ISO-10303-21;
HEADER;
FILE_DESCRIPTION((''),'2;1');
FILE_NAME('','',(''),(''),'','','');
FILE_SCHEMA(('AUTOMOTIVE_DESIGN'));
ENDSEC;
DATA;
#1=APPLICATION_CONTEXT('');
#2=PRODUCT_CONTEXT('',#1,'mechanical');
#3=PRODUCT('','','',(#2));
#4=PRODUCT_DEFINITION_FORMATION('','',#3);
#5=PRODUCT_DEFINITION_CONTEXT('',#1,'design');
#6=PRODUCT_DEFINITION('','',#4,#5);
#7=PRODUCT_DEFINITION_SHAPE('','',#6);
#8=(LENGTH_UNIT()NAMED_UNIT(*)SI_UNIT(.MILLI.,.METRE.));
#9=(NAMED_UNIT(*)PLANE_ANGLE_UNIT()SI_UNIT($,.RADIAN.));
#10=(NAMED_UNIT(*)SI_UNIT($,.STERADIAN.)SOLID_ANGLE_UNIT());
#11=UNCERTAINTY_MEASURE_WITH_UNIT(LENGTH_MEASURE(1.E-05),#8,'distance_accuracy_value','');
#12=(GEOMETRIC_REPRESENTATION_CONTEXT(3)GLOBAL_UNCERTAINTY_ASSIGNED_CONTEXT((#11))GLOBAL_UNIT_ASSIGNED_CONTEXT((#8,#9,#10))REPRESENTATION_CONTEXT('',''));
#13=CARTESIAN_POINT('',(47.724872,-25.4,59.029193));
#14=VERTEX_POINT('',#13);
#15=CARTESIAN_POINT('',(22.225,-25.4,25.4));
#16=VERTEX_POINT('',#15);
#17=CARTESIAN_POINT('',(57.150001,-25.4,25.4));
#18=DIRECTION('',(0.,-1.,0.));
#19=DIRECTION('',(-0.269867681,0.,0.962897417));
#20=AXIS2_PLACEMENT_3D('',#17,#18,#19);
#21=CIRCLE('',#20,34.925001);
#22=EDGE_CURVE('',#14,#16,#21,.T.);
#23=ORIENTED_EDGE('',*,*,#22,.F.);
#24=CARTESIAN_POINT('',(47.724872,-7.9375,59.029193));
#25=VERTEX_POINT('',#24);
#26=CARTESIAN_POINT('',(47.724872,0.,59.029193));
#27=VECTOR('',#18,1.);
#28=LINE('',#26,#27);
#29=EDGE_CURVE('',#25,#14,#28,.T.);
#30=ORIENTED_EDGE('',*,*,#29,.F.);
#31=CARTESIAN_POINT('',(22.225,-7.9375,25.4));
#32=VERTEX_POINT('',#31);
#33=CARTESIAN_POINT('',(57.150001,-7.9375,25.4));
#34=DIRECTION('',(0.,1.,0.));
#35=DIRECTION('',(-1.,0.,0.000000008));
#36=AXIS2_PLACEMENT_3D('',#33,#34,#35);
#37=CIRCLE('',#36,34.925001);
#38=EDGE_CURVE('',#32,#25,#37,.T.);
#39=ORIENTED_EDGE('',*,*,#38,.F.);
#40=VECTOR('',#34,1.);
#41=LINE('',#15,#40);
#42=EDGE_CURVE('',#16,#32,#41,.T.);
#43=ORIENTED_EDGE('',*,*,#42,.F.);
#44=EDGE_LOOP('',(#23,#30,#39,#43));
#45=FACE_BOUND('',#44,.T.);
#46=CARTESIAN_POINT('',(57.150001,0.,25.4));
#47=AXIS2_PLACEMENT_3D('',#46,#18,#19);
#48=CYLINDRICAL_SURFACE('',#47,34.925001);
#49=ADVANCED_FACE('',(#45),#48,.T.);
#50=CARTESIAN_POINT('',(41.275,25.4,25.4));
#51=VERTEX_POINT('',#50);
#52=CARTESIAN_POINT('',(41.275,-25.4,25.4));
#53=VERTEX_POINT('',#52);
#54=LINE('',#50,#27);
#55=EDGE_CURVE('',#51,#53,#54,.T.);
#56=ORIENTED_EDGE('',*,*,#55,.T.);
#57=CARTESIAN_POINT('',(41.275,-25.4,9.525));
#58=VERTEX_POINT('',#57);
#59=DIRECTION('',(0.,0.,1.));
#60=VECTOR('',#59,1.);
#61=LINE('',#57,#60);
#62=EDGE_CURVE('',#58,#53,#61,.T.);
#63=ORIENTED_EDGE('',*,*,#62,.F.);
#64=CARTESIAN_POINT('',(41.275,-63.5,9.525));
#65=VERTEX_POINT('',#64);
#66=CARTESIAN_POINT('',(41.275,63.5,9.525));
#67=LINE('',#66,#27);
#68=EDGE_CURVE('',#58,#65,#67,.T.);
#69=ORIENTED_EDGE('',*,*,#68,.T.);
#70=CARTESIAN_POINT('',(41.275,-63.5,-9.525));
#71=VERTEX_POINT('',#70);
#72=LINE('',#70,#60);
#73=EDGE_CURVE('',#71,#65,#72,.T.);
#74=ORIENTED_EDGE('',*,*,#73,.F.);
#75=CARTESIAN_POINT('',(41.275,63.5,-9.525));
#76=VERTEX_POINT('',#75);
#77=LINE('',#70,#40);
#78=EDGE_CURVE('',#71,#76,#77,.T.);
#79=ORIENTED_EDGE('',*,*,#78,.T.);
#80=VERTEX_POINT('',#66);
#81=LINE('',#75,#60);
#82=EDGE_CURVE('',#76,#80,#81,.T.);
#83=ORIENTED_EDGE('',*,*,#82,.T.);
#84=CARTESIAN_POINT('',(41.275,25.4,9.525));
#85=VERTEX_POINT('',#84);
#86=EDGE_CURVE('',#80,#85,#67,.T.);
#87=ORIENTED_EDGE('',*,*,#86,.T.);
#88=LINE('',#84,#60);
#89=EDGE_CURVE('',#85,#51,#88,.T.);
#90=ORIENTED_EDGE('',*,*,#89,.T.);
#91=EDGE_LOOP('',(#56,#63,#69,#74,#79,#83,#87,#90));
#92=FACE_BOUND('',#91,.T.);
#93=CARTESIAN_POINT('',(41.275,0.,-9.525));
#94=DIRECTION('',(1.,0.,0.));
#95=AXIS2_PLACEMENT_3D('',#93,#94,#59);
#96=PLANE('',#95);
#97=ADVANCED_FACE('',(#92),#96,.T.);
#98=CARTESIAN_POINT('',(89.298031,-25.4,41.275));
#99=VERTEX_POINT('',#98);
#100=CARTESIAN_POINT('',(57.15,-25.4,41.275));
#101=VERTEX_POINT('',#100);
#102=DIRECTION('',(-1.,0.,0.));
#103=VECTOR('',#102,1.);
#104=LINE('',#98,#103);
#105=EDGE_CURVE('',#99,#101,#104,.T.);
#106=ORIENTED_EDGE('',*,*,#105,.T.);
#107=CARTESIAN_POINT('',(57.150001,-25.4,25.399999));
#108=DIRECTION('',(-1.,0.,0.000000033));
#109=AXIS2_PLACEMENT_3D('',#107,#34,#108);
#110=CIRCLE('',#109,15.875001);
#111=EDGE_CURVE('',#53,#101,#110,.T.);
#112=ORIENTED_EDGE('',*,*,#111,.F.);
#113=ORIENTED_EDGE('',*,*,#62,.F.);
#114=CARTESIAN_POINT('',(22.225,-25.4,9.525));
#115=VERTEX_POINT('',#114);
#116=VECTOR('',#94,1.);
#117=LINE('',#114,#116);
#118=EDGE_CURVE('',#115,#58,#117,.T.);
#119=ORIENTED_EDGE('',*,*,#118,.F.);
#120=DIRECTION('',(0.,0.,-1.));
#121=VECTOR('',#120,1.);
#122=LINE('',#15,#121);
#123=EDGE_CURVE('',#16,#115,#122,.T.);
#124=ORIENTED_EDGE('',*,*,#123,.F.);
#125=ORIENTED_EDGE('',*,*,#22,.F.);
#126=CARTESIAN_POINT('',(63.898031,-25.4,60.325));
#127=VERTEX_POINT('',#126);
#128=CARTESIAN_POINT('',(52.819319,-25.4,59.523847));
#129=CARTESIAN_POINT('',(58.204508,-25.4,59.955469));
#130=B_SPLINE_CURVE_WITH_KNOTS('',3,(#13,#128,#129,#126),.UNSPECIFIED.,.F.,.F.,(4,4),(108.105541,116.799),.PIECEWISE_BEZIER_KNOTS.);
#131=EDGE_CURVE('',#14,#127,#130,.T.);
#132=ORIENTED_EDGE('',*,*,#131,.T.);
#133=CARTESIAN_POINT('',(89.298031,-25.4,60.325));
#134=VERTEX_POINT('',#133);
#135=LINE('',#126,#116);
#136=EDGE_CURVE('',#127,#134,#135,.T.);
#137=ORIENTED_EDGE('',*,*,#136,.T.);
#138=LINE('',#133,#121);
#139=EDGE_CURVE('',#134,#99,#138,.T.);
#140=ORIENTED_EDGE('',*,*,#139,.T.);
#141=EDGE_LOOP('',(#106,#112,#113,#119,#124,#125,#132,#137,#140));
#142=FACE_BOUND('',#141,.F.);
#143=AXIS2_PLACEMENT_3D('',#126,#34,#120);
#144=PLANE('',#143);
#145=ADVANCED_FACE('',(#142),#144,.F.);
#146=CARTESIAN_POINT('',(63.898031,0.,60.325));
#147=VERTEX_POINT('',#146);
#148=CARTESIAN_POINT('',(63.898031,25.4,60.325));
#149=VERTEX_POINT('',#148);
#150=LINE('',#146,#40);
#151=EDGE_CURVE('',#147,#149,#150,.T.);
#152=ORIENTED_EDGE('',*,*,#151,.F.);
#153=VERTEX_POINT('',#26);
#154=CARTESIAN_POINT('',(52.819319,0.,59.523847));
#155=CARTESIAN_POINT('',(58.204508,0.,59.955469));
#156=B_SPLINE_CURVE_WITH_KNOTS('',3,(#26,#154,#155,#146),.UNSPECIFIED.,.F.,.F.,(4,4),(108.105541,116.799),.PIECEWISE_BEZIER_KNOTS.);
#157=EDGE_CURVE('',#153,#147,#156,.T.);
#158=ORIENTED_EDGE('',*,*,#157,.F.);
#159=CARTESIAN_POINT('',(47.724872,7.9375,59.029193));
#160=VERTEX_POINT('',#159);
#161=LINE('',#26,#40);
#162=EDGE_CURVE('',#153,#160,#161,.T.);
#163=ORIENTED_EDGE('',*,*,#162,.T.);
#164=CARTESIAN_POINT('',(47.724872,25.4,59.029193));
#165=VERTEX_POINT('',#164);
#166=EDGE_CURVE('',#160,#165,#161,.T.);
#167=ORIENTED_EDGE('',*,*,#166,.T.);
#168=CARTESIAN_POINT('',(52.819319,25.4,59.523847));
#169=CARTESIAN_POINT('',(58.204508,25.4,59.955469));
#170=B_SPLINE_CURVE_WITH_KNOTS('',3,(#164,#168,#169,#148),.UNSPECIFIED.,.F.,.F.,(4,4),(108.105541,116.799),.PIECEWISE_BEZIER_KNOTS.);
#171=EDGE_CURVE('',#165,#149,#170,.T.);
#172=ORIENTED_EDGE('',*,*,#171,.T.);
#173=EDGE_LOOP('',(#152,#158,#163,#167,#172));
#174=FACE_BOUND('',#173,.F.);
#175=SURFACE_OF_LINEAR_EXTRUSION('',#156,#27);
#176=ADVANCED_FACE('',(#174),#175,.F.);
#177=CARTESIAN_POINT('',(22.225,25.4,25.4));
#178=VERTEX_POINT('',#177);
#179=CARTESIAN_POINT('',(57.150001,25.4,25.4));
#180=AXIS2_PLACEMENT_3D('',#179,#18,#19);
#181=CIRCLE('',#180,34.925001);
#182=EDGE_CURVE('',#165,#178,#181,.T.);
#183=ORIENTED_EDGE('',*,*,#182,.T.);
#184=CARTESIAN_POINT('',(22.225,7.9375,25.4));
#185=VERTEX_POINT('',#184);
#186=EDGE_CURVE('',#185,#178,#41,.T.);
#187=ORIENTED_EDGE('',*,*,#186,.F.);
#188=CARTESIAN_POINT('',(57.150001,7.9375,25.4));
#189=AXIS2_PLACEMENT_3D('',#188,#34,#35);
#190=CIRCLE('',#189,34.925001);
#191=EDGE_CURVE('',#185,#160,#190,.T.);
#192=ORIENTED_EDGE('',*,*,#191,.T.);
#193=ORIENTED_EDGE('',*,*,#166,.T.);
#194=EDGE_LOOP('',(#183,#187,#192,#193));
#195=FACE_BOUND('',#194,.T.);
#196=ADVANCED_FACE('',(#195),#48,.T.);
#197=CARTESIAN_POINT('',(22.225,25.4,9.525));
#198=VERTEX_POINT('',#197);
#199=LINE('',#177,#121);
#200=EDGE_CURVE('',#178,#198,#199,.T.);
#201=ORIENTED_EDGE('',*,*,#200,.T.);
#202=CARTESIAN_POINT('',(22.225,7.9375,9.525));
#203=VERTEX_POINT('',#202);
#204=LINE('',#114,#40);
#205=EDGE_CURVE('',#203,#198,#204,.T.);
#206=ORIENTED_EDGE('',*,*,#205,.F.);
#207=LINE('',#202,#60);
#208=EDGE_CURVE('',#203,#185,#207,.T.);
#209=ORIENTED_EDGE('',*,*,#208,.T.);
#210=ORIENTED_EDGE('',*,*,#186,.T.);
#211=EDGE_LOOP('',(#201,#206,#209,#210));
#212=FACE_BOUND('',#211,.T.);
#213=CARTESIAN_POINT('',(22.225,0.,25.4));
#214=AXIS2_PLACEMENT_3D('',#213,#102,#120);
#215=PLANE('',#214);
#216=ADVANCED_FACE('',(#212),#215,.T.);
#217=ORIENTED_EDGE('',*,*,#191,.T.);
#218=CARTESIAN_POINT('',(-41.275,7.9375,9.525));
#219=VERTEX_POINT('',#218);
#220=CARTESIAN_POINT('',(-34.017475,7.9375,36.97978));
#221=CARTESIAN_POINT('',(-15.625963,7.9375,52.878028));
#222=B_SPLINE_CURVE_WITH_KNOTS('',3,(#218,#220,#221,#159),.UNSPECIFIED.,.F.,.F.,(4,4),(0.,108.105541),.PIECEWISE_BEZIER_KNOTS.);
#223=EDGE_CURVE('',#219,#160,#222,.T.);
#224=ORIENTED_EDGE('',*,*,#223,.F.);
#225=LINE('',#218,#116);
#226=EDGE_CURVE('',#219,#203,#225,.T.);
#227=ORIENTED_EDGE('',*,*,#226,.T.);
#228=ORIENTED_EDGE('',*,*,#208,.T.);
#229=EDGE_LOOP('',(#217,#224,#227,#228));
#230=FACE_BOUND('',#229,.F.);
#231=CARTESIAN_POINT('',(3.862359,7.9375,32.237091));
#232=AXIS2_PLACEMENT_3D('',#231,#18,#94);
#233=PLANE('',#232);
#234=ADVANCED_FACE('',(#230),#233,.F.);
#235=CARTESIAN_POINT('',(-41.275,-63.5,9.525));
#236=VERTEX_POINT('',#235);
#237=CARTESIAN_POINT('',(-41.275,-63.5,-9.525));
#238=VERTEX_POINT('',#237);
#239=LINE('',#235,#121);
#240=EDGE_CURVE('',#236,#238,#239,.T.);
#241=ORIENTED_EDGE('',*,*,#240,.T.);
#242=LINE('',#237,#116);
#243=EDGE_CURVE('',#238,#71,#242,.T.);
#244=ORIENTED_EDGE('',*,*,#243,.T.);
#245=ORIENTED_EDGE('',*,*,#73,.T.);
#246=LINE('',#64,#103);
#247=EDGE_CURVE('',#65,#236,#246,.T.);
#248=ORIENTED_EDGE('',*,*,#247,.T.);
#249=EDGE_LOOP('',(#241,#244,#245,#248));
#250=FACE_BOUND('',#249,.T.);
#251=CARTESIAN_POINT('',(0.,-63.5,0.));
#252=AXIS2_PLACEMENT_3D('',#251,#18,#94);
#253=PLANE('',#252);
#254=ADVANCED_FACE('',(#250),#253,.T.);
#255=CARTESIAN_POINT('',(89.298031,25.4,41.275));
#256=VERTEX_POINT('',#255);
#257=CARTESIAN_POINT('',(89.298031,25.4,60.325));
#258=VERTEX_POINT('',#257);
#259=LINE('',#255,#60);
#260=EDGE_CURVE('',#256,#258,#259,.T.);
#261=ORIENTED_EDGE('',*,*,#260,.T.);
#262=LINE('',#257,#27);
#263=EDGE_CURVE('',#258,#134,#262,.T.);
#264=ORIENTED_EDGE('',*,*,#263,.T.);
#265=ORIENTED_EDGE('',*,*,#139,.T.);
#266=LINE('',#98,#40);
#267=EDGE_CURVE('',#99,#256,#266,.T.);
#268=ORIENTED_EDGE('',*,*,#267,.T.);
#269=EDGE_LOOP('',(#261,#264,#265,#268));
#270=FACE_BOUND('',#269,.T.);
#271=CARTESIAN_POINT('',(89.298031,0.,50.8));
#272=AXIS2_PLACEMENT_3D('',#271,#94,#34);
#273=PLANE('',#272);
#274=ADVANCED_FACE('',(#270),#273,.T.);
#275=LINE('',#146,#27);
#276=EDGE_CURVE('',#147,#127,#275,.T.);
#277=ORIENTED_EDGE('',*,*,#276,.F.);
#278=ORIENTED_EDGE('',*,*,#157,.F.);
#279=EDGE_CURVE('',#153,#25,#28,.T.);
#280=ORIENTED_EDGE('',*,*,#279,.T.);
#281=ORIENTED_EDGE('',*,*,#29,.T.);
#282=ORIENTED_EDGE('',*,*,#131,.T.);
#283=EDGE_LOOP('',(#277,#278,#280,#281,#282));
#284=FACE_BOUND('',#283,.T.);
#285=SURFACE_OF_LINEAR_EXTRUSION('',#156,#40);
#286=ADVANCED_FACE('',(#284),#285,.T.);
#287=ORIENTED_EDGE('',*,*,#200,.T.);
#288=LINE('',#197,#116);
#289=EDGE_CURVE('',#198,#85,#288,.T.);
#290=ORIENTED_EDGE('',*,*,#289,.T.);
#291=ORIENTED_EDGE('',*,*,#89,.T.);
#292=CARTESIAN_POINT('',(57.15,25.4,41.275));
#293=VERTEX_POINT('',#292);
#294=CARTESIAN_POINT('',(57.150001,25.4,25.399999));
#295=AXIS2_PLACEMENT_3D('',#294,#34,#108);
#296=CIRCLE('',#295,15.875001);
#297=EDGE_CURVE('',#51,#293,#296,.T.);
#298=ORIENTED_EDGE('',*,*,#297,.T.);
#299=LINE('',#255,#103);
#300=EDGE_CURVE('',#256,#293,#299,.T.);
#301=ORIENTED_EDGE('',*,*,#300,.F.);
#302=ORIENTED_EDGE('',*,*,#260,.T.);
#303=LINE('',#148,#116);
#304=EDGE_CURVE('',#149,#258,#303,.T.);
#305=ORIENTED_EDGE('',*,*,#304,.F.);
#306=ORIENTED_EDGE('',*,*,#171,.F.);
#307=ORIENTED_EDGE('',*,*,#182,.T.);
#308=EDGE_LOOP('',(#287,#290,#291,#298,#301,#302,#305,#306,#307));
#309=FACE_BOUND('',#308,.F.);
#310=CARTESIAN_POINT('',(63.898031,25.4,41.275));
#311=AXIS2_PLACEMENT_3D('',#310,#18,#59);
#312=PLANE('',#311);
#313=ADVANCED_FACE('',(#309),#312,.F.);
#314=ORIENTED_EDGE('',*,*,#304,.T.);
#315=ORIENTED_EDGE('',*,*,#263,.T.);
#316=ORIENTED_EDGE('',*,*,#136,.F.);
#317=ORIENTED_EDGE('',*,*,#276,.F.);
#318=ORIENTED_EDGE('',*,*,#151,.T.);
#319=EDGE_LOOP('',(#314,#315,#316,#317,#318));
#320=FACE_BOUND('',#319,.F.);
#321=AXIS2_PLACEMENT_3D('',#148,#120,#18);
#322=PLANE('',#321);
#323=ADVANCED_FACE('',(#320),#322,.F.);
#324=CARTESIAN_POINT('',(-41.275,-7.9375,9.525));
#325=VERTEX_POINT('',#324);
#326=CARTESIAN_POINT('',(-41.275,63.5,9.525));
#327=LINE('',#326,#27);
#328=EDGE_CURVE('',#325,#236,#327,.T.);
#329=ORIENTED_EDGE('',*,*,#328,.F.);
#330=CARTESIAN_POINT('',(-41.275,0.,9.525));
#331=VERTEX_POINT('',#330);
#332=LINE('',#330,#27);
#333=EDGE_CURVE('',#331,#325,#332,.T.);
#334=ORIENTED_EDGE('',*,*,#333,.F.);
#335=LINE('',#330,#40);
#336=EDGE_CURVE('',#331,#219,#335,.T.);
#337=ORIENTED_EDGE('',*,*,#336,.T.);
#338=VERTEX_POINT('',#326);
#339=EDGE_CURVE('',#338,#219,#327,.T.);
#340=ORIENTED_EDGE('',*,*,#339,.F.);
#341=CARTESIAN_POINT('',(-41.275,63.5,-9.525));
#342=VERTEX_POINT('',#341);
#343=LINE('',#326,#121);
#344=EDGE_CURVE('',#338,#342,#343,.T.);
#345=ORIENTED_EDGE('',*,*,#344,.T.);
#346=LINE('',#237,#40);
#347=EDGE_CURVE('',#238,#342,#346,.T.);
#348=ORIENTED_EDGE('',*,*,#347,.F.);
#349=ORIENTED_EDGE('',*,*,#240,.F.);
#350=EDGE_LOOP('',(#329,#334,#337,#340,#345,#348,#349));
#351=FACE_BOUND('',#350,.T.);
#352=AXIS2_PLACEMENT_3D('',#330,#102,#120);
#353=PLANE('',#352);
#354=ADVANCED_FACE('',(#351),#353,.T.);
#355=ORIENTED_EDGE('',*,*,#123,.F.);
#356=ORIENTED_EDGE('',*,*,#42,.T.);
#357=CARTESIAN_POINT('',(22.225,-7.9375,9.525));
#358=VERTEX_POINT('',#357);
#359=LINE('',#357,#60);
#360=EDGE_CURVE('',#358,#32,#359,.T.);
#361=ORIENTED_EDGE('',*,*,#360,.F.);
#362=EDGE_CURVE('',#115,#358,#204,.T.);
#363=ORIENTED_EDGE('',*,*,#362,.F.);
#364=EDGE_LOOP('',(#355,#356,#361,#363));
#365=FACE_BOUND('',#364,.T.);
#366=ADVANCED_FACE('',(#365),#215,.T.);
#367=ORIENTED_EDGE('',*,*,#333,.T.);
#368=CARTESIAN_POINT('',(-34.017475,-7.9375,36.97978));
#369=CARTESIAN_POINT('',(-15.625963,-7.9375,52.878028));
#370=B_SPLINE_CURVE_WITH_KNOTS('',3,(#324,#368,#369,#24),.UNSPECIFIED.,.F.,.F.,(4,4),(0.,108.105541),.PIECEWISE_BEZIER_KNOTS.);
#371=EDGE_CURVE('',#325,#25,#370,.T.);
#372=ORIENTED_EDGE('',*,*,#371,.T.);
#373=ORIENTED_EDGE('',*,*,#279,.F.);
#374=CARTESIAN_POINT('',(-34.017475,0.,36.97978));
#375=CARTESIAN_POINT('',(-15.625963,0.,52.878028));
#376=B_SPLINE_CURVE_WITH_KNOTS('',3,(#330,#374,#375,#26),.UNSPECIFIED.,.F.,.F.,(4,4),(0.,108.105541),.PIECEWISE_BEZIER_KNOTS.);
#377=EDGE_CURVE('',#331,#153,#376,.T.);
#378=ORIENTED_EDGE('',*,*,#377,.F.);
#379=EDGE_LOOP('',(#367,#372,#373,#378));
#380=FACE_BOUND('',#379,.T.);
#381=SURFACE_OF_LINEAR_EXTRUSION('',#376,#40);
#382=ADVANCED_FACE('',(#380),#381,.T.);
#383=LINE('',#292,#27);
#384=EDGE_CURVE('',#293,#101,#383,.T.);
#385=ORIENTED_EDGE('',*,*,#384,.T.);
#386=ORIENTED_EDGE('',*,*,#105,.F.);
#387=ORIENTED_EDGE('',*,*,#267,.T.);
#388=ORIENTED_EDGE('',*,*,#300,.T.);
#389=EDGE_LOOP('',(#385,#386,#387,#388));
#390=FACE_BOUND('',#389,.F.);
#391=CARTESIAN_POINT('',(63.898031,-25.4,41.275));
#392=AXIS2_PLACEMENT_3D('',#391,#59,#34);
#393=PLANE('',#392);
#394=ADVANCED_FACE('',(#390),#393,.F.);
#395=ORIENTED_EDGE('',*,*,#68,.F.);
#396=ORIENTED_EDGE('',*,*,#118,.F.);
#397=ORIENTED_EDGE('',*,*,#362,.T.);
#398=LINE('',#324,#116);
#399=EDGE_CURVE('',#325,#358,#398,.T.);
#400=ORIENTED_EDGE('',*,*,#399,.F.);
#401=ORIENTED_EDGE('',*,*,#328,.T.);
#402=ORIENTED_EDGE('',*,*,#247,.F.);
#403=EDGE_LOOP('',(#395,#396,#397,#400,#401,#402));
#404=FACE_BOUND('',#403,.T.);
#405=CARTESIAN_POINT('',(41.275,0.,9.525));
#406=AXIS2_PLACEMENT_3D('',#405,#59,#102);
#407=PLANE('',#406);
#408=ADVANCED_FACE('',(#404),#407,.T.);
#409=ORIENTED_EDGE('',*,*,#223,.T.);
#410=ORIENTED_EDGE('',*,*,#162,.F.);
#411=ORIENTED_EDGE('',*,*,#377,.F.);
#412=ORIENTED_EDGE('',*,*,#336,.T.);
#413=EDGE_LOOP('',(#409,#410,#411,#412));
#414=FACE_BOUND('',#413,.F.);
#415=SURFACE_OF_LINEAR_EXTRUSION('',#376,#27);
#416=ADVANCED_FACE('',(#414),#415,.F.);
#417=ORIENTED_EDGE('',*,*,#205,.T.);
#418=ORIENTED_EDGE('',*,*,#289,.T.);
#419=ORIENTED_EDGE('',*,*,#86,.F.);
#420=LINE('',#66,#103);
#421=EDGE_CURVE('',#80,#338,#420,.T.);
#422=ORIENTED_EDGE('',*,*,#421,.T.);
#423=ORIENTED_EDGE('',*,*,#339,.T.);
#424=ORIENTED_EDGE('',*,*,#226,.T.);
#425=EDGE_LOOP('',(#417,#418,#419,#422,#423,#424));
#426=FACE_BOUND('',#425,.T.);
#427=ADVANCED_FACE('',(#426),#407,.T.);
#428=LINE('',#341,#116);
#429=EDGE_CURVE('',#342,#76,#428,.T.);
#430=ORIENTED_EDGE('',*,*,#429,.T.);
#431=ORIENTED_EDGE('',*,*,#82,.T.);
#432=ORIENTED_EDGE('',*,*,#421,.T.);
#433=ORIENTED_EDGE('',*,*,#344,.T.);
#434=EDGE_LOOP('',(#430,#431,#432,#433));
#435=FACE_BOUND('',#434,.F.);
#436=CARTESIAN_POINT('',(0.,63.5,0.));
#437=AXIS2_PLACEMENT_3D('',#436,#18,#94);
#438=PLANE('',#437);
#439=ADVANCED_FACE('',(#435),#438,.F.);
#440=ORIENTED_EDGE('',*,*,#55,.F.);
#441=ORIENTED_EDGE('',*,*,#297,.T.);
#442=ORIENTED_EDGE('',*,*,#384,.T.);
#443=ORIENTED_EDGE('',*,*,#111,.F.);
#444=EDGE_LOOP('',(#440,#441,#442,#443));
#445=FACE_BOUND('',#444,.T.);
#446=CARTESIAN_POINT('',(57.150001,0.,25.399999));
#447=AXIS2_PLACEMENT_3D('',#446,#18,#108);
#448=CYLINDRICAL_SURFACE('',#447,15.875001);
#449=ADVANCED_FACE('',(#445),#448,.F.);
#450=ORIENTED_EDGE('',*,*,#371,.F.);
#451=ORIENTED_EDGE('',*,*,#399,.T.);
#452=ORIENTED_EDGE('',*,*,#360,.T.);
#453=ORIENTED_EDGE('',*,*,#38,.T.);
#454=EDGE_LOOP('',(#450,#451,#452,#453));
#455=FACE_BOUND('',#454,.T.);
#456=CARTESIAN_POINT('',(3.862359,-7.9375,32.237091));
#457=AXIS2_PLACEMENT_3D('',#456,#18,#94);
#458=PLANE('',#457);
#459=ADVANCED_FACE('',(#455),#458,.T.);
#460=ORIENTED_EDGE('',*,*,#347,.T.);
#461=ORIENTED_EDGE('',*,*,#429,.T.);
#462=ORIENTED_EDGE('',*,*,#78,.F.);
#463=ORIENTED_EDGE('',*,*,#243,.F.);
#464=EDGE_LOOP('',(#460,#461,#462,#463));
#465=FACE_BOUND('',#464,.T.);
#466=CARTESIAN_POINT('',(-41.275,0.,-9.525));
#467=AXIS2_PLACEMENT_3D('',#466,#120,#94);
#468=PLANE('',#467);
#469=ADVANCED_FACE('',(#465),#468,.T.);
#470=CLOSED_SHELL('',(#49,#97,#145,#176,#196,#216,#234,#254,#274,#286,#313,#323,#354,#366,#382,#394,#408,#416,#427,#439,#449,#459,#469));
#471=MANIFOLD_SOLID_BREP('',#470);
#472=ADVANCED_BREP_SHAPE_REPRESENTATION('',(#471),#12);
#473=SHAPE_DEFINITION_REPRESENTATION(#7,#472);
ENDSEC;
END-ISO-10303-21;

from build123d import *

# Parameters (mm, degrees)
F1_DEPTH = 63.5
F2_DEPTH = 25.4
F3_DEPTH = 7.9375
F4_DEPTH = 25.4


with BuildPart() as f1:
    # F0 (on Front) → F1 (new body, symmetric)
    with BuildSketch(Plane.XZ):
        Polygon((41.275, -9.525), (41.275, 9.525), (22.225, 9.525), (-41.275, 9.525), (-41.275, -9.525), align=None)
    extrude(amount=F1_DEPTH, both=True)

    # F0 (on Front) → F2 (join, symmetric)
    with BuildSketch(Plane.XZ):
        with BuildLine():
            Line((22.225, 9.525), (41.275, 9.525))
            Line((41.275, 9.525), (41.275, 25.4))
            ThreePointArc((41.275, 25.4), (45.92468, 36.62532), (57.15, 41.275))
            Line((57.15, 41.275), (63.898031, 41.275))
            Line((63.898031, 41.275), (63.898031, 60.325))
            add(Edge.make_bspline(
                [(47.724872, 59.029193), (52.819319, 59.523847), (58.204508, 59.955469), (63.898031, 60.325)],
                knots=[108.105541, 108.105541, 108.105541, 108.105541, 116.799, 116.799, 116.799, 116.799], degree=3))
            ThreePointArc((47.724872, 59.029193), (29.320805, 46.501932), (22.225, 25.4))
            Line((22.225, 25.4), (22.225, 9.525))
        make_face()
    extrude(amount=F2_DEPTH, both=True)

    # F0 (on Front) → F3 (join, symmetric)
    with BuildSketch(Plane.XZ):
        with BuildLine():
            Line((-41.275, 9.525), (22.225, 9.525))
            Line((22.225, 9.525), (22.225, 25.4))
            ThreePointArc((22.225, 25.4), (29.320805, 46.501932), (47.724872, 59.029193))
            add(Edge.make_bspline(
                [(-41.275, 9.525), (-34.017475, 36.97978), (-15.625963, 52.878028), (47.724872, 59.029193)],
                knots=[0, 0, 0, 0, 108.105541, 108.105541, 108.105541, 108.105541], degree=3))
        make_face()
    extrude(amount=F3_DEPTH, both=True)

    # F2_face (on face) → F4 (join)
    with BuildSketch(Plane(origin=(63.898031, 0, 50.8), x_dir=(0, 1, 0), z_dir=(1, 0, 0))):
        Polygon((25.4, -9.525), (25.4, 9.525), (0, 9.525), (-25.4, 9.525), (-25.4, -9.525), align=None)
    extrude(amount=F4_DEPTH)


solid = f1.part
